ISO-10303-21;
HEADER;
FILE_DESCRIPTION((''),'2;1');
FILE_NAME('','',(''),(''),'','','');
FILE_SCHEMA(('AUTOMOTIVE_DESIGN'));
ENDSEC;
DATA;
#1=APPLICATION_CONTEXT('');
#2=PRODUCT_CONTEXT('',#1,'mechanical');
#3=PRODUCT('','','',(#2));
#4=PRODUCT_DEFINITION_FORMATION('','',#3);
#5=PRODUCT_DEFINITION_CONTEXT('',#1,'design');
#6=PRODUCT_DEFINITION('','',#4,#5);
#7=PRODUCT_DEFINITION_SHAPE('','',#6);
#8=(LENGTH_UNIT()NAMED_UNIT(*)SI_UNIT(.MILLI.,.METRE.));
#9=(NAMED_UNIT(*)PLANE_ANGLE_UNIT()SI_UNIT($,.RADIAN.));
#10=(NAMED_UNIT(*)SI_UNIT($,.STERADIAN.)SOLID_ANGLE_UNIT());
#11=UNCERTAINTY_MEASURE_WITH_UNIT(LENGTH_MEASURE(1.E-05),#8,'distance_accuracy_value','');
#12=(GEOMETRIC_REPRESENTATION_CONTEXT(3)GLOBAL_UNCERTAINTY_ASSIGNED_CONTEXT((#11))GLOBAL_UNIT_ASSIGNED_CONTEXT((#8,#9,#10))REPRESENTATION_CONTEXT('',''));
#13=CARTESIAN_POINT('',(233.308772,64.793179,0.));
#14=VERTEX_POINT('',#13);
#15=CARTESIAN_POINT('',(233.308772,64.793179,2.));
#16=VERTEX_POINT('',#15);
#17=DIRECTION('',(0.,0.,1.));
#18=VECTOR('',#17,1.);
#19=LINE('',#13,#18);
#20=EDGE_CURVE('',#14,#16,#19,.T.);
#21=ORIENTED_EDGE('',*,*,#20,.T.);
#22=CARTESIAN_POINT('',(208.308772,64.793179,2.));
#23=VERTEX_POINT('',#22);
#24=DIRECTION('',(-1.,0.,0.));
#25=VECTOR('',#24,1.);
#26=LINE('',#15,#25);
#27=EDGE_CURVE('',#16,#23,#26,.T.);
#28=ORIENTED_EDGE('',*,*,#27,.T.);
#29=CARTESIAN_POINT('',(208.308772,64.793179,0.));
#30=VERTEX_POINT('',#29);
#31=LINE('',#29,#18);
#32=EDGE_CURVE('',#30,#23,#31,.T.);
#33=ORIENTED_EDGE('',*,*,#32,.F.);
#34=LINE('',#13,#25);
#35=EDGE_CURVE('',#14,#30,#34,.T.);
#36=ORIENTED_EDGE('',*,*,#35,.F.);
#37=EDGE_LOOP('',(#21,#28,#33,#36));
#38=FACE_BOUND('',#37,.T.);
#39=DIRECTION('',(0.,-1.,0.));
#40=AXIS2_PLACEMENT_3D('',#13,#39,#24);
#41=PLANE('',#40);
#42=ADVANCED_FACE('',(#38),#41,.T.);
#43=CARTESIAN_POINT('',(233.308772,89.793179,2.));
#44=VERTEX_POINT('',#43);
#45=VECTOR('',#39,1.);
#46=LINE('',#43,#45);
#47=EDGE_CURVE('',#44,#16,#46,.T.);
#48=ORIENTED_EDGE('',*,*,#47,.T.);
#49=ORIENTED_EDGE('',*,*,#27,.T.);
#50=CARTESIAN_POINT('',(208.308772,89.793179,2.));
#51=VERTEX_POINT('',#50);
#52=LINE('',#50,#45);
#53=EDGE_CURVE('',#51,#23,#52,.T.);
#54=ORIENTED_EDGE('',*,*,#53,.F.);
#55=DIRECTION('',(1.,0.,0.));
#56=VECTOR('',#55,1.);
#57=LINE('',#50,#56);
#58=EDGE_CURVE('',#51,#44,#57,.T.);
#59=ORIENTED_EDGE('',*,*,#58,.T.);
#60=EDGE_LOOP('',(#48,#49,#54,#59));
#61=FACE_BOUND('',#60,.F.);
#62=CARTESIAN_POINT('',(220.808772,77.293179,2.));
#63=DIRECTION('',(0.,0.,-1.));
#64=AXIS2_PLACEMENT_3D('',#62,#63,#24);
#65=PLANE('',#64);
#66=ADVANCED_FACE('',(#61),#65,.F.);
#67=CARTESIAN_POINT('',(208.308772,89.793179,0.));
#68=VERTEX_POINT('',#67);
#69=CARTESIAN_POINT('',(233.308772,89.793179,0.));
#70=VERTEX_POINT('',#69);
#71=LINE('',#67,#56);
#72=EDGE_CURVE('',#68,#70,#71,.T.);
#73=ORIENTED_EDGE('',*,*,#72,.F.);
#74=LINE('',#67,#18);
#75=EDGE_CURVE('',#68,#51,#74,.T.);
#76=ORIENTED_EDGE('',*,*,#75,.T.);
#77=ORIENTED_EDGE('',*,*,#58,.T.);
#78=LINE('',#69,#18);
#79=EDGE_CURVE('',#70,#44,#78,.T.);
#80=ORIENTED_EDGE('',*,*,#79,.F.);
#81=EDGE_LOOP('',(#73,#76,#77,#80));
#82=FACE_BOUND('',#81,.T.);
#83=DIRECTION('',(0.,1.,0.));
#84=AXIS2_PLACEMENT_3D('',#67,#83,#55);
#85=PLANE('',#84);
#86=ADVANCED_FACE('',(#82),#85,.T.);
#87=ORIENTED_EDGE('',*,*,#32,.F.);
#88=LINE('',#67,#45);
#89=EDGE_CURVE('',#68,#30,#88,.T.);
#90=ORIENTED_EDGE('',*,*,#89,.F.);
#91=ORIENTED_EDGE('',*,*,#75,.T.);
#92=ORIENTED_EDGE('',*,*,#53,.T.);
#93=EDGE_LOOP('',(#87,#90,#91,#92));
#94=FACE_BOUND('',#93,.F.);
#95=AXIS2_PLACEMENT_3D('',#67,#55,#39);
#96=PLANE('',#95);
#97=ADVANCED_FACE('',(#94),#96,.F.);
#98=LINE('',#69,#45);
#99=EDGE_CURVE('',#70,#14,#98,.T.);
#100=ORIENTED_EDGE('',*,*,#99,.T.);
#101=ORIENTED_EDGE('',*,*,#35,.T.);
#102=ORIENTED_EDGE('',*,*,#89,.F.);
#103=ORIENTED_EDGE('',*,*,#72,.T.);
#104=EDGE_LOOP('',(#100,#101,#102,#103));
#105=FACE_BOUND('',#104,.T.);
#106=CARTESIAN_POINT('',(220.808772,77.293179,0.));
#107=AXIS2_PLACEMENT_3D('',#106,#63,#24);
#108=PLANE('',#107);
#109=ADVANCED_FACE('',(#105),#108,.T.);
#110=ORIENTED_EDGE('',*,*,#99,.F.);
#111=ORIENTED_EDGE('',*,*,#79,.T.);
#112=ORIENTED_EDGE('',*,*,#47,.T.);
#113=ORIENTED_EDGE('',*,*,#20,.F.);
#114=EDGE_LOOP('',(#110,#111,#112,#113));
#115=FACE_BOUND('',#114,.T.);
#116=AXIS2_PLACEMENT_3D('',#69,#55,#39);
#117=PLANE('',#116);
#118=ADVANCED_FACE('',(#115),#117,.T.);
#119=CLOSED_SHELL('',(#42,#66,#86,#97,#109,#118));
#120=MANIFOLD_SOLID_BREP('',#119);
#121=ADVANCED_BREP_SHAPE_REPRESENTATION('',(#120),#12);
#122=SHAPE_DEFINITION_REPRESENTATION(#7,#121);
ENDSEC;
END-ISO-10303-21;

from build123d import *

# Parameters (mm, degrees)
EXTRUDE_1_DEPTH = 2


with BuildPart() as part:
    # 草图1 → 凸台-拉伸1 (new body)
    with BuildSketch(Plane.XY):
        Polygon((208.308771729, 77.293179349), (208.308771729, 89.793179349), (233.308771729, 89.793179349), (233.308771729, 64.793179349), (208.308771729, 64.793179349), align=None)
    extrude(amount=EXTRUDE_1_DEPTH)


solid = part.part
